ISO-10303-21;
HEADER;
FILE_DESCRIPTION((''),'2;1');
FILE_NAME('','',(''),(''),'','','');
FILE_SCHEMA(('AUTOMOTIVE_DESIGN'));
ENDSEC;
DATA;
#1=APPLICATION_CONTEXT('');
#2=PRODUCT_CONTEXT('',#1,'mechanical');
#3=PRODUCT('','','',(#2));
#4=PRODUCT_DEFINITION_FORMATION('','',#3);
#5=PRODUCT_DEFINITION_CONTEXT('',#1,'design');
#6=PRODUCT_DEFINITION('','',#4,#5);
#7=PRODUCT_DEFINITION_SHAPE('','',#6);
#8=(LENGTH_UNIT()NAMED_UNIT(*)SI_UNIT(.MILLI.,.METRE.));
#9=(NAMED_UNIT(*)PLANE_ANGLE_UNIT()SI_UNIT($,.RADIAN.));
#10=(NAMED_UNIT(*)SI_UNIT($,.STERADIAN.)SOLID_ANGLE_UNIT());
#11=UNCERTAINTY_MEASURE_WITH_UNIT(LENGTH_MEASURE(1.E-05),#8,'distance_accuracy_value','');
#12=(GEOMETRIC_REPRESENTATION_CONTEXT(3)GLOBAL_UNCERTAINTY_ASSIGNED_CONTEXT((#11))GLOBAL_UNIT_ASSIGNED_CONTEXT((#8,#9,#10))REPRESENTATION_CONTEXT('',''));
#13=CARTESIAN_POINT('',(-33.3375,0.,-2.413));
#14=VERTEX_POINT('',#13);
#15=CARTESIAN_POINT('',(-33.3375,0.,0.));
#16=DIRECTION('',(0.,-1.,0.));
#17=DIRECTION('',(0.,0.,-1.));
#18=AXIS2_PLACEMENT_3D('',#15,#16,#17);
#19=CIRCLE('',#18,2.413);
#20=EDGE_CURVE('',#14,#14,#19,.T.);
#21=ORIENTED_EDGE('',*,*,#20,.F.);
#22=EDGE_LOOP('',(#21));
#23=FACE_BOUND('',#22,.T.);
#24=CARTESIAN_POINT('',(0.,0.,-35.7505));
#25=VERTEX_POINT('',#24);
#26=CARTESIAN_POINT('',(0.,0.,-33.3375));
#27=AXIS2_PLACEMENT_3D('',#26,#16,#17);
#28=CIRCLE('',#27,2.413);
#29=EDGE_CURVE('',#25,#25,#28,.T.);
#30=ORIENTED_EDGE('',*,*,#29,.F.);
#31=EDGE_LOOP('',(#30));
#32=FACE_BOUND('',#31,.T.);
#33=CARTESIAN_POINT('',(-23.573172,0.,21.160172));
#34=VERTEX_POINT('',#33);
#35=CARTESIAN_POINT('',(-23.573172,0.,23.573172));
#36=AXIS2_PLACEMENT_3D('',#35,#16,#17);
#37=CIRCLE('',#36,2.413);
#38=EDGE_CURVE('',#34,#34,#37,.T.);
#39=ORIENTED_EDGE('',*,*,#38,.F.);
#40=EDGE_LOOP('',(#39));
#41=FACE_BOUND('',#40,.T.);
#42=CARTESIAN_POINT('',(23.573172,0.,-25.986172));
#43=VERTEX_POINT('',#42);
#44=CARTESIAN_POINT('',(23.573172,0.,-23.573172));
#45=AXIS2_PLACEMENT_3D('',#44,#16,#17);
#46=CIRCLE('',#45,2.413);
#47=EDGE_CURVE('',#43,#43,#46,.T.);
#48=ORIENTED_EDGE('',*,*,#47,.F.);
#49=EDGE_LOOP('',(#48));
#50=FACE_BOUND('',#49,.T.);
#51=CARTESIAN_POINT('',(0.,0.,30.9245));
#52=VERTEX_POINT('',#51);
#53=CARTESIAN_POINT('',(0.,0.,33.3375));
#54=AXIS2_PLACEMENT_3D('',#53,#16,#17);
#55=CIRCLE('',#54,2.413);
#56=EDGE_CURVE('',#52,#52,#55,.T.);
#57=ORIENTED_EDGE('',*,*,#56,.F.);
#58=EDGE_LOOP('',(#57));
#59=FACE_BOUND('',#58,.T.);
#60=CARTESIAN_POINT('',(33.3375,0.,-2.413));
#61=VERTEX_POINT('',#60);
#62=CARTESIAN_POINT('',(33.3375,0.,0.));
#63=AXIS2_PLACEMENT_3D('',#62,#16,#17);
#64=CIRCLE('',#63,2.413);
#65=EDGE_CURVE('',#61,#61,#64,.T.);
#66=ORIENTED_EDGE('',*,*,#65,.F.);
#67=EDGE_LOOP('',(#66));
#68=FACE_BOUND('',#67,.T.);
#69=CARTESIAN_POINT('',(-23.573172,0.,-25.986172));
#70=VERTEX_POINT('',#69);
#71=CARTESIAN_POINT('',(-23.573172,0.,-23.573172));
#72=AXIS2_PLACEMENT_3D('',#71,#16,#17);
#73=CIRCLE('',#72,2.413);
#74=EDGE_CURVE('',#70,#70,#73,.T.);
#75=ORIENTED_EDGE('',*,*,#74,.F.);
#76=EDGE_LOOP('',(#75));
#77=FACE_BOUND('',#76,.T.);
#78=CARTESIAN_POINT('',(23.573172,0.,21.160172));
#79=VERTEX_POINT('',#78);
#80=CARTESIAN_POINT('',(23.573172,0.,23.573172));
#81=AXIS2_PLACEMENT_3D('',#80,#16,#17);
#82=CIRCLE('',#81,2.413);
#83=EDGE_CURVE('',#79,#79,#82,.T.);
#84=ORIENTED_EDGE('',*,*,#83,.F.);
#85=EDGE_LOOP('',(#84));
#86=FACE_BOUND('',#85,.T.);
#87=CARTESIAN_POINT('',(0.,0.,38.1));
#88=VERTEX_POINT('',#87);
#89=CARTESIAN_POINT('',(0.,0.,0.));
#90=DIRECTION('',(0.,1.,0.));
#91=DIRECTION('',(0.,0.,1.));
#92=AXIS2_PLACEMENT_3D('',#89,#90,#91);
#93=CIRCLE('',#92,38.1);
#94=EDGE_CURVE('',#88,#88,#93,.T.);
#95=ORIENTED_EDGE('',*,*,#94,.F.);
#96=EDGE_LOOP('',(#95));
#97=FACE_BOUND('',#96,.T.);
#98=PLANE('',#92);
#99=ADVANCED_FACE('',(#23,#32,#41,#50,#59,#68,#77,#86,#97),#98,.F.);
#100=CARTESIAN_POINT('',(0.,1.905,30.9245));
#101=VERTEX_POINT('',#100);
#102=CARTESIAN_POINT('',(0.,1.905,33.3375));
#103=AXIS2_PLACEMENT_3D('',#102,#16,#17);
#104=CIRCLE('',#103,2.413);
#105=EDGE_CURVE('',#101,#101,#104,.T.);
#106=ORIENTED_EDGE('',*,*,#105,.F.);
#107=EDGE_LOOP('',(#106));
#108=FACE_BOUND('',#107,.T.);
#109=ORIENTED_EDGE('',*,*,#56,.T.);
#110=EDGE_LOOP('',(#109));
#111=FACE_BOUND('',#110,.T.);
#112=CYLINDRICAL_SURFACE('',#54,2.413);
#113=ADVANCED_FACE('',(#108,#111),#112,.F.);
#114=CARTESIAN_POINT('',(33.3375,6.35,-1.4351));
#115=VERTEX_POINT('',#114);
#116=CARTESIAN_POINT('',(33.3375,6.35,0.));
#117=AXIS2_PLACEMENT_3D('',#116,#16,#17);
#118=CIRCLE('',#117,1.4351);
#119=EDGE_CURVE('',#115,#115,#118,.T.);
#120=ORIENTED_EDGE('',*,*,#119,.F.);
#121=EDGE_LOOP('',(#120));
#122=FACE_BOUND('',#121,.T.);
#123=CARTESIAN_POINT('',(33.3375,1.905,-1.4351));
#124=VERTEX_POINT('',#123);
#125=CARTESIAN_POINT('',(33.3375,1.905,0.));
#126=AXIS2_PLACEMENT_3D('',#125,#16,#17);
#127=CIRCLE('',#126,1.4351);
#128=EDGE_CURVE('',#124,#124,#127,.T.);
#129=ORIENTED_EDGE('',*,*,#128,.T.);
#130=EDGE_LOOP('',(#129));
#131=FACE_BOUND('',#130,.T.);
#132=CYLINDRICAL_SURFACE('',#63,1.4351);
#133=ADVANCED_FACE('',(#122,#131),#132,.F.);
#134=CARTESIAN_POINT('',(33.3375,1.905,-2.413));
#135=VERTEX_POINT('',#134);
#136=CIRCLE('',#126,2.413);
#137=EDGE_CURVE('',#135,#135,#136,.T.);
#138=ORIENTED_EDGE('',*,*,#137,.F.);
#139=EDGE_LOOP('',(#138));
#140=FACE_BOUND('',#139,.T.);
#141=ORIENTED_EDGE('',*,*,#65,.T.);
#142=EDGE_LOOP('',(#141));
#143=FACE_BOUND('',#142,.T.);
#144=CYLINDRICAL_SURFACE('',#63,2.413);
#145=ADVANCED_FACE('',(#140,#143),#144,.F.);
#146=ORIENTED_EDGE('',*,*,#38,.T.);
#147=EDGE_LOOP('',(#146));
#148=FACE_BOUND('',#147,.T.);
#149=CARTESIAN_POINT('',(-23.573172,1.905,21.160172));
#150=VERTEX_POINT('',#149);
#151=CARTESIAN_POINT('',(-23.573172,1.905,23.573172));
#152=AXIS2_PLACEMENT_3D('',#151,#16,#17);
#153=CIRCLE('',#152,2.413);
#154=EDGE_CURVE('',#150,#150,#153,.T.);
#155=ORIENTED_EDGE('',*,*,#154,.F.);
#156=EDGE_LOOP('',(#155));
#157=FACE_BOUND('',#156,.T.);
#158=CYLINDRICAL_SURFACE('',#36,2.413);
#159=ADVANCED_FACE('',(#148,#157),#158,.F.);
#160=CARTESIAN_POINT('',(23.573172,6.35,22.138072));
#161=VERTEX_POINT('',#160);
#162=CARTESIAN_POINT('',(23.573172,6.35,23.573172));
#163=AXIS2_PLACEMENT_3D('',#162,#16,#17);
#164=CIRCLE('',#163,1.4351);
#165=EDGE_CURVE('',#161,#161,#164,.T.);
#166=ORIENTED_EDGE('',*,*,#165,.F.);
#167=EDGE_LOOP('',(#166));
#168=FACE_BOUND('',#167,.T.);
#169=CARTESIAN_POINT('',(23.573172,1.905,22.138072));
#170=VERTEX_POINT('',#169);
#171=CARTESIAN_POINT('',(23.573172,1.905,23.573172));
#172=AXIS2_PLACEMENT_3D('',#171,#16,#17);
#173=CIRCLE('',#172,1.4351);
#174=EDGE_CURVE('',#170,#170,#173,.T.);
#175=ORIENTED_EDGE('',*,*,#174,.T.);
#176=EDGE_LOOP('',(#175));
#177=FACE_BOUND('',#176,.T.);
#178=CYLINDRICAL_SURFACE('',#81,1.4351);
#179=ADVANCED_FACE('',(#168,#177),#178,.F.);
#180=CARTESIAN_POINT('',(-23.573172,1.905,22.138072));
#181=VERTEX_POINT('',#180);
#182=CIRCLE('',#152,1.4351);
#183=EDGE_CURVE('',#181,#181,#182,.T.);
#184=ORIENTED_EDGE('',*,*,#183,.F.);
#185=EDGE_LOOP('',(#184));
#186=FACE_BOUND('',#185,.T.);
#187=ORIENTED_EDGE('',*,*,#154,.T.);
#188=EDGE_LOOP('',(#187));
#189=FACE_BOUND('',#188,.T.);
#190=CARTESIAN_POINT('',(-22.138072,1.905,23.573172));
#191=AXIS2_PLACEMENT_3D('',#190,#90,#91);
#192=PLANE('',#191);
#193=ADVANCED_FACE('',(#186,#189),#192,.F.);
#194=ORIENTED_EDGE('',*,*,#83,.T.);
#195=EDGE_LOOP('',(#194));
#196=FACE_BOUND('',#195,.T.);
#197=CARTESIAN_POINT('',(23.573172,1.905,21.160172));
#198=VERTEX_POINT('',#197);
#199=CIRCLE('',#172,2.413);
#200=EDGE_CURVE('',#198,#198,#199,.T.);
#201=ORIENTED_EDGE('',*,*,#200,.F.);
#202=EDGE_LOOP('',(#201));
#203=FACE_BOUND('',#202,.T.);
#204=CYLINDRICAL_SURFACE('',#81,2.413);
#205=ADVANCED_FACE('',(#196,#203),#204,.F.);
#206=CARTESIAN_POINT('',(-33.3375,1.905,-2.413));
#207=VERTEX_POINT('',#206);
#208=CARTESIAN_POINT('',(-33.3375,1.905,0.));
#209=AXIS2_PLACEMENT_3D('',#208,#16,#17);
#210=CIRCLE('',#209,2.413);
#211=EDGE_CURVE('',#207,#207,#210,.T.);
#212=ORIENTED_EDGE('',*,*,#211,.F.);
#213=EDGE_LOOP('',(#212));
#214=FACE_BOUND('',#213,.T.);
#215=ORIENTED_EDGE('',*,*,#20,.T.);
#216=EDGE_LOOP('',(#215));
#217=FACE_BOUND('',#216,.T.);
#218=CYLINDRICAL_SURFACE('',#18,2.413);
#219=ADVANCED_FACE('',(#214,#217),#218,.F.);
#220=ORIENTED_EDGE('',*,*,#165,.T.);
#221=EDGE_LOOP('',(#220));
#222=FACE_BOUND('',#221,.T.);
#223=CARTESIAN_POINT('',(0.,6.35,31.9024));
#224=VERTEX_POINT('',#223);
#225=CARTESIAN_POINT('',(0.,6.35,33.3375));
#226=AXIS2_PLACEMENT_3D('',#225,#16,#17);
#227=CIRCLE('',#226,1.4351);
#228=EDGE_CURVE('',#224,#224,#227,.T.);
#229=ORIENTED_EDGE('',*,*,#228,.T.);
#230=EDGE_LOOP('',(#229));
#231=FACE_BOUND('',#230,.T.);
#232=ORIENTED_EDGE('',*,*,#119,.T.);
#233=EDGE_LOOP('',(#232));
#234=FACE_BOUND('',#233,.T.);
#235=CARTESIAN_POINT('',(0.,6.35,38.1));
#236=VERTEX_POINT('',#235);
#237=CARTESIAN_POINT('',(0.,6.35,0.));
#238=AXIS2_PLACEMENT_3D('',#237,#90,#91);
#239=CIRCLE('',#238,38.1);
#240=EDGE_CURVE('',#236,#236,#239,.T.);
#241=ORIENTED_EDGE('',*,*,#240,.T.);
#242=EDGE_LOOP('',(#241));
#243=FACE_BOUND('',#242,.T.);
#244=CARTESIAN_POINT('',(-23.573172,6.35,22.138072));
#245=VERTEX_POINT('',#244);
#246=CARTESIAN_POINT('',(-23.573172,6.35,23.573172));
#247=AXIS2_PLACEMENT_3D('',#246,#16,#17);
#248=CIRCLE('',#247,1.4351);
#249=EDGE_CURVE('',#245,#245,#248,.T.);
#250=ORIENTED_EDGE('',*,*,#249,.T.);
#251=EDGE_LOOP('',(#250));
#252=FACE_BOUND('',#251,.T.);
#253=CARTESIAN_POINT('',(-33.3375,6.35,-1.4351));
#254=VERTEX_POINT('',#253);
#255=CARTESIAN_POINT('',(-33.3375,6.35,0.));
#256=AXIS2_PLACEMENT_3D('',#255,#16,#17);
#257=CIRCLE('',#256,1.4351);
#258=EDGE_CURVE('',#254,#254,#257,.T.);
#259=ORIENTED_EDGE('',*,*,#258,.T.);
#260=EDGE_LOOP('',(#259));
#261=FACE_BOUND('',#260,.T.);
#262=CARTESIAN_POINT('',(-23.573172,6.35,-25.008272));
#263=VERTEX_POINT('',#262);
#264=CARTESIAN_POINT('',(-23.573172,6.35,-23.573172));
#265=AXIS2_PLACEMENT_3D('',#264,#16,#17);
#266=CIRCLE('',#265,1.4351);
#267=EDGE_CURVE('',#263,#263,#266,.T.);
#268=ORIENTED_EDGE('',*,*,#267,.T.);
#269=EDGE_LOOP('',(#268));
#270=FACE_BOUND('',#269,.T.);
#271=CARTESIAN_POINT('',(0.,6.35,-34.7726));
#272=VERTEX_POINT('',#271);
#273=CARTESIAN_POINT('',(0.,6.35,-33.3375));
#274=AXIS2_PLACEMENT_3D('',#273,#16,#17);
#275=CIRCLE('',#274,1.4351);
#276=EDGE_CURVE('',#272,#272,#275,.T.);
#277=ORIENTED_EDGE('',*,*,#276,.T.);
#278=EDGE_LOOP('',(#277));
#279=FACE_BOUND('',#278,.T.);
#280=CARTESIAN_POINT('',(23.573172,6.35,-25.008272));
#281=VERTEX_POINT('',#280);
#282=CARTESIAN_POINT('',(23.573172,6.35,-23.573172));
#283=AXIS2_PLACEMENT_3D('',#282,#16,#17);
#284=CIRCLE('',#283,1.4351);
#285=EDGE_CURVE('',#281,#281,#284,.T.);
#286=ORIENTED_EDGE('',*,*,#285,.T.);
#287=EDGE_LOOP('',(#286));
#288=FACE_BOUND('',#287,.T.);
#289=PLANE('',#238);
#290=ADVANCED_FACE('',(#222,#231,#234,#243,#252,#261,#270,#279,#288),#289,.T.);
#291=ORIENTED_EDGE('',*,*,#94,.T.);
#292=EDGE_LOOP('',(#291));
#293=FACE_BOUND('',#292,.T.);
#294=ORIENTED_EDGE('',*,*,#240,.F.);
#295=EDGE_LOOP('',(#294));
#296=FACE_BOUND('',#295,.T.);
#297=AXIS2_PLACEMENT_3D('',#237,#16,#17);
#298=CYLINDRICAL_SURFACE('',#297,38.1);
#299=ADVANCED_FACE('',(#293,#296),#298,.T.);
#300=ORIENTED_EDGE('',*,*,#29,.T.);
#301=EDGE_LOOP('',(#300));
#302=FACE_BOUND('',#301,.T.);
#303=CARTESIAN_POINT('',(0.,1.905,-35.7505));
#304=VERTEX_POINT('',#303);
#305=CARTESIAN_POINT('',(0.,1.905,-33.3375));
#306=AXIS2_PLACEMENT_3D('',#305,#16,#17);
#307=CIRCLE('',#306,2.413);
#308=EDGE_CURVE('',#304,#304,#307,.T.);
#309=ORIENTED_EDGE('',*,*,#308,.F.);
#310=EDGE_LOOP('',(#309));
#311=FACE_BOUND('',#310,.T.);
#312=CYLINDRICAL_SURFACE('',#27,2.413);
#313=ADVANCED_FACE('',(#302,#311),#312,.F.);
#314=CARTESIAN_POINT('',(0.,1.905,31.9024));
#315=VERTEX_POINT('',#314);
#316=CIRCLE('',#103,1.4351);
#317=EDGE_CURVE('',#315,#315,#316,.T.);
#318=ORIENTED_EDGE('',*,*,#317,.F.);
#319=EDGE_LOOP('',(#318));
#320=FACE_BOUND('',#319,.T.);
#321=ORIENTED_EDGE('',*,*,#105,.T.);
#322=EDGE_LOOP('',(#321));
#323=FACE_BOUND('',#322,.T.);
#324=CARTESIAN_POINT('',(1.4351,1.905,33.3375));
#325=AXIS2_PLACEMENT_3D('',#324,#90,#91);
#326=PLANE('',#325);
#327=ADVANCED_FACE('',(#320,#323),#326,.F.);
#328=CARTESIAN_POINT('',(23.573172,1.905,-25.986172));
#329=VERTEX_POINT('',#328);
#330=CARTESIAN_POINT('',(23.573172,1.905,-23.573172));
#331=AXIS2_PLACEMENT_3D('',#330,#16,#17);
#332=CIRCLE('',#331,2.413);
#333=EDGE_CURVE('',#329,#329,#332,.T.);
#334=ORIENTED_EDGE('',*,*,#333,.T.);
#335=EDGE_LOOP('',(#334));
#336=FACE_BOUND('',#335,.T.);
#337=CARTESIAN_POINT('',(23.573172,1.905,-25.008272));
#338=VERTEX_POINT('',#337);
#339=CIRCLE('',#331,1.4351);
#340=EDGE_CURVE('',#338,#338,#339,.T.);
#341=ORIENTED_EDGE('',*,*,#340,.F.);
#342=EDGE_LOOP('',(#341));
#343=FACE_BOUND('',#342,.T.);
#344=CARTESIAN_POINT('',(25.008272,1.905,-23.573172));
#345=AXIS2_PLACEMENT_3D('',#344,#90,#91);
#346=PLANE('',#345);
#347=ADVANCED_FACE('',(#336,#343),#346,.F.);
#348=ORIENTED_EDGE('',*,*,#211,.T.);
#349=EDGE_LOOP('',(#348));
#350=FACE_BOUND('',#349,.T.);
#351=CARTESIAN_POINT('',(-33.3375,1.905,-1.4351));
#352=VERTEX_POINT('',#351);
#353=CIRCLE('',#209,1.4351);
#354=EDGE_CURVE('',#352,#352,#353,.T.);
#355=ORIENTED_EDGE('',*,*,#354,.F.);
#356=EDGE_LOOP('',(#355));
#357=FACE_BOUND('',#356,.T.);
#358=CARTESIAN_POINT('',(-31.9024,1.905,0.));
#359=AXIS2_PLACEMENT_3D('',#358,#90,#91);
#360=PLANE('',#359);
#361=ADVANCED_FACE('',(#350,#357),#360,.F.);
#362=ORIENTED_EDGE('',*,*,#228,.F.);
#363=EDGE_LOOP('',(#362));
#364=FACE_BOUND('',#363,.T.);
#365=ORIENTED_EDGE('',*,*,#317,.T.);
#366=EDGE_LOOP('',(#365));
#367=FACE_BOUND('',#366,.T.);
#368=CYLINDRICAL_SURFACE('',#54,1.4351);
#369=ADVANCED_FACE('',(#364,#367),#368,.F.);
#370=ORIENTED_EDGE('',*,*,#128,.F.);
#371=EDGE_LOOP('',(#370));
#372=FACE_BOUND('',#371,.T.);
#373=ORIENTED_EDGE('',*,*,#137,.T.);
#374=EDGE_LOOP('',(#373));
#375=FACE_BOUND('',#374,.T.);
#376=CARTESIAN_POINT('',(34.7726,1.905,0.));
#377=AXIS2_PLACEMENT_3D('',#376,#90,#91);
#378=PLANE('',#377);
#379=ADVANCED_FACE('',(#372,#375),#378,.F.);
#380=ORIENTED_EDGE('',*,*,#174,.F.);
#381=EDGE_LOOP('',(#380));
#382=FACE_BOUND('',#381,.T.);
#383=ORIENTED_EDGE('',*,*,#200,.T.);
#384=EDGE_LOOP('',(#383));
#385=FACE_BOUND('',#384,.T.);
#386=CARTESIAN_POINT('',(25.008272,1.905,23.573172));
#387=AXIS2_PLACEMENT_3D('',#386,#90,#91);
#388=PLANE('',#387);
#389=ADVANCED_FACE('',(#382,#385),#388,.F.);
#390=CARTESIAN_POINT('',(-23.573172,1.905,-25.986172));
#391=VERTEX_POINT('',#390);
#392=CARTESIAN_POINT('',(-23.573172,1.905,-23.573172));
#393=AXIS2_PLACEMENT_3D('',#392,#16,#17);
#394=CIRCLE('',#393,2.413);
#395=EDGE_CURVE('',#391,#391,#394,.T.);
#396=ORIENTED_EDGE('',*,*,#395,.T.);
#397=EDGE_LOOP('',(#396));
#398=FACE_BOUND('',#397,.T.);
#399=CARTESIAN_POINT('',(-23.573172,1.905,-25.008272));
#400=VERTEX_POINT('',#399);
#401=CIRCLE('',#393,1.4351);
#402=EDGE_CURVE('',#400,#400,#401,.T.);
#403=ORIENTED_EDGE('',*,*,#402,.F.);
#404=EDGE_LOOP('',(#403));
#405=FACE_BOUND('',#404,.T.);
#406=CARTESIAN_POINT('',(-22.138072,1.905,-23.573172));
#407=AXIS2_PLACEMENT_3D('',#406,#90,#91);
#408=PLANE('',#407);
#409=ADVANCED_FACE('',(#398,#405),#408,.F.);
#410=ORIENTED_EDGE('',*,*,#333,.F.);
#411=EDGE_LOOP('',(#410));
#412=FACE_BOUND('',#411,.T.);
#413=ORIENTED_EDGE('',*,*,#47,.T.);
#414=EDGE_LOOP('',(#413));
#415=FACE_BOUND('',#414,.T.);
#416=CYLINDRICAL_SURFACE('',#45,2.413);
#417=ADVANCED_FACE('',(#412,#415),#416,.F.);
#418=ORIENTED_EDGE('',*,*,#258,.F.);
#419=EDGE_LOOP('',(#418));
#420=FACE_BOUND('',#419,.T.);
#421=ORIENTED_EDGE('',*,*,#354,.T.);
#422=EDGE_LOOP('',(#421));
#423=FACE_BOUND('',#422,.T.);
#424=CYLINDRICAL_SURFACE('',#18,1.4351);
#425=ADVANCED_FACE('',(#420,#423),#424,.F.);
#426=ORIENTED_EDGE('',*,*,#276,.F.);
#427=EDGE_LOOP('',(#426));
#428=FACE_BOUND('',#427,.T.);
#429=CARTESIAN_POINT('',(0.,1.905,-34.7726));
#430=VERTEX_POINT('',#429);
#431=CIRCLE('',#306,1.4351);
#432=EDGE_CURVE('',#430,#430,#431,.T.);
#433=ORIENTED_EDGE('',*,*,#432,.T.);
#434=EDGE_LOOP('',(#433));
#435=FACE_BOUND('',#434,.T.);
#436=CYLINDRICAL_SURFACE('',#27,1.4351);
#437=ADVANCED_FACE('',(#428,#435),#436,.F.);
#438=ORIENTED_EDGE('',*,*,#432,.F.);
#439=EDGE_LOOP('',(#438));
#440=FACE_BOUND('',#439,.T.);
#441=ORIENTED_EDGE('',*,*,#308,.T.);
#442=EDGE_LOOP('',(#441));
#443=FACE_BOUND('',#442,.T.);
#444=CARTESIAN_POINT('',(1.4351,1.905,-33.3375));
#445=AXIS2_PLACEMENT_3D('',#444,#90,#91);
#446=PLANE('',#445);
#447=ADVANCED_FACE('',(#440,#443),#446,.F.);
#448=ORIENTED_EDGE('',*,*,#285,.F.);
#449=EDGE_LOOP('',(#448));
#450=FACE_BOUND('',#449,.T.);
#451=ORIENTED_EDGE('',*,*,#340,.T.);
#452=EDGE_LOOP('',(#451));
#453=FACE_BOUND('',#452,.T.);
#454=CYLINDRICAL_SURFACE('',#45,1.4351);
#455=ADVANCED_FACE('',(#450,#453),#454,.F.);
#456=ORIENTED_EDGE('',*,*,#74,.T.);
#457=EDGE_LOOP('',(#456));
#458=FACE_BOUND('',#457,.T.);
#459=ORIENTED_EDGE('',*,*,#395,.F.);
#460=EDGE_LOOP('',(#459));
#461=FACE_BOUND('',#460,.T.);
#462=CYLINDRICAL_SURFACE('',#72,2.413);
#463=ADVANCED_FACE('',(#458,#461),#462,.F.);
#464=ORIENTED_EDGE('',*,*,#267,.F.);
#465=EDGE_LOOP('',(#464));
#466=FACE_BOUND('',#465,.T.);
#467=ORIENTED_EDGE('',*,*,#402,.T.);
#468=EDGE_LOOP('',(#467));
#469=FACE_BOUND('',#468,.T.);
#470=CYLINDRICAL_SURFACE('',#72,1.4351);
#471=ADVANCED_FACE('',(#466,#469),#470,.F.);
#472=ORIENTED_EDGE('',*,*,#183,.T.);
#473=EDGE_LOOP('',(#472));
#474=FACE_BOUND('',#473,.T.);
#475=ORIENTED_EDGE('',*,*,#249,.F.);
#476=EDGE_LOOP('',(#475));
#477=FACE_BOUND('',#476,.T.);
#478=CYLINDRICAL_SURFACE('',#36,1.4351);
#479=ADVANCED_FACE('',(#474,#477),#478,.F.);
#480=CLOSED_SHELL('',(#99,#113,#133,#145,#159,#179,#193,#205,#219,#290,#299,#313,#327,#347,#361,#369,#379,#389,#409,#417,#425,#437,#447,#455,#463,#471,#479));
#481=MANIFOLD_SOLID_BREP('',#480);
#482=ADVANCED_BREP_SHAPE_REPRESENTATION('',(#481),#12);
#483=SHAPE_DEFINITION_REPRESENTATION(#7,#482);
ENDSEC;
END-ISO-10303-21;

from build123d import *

# Parameters (mm, degrees)
SKETCH1_R                                      = 38.1
BOSS_EXTRUDE1_DEPTH                            = 6.35
CBORE_FOR_4_BUTTON_HEAD_CAP_SCREW1_D           = 2.8702
CBORE_FOR_4_BUTTON_HEAD_CAP_SCREW1_CBORE_D     = 4.826
CBORE_FOR_4_BUTTON_HEAD_CAP_SCREW1_CBORE_DEPTH = 1.905
CIRPATTERN1_COUNT                              = 8


with BuildPart() as part:
    # Sketch1 → Boss-Extrude1 (new body)
    with BuildSketch(Plane(origin=(0, 0, 0), x_dir=(1, 0, 0), z_dir=(0, 1, 0))):
        Circle(SKETCH1_R)
    extrude(amount=BOSS_EXTRUDE1_DEPTH)

    # CBORE for #4 Button Head Cap Screw1 (through all)
    with Locations(Plane(origin=(0, 0, 0), x_dir=(-1, 0, 0), z_dir=(0, -1, 0))):
        with Locations((0, -33.3375)):
            cbore_for_4_button_head_cap_screw1 = CounterBoreHole(CBORE_FOR_4_BUTTON_HEAD_CAP_SCREW1_D / 2, CBORE_FOR_4_BUTTON_HEAD_CAP_SCREW1_CBORE_D / 2, CBORE_FOR_4_BUTTON_HEAD_CAP_SCREW1_CBORE_DEPTH)

    # CirPattern1: CBORE for #4 Button Head Cap Screw1 ×8 about axis
    cirpattern1_axis = Axis((0, 0, 0), (0, 1, 0))
    for i in range(1, CIRPATTERN1_COUNT):
        add(cbore_for_4_button_head_cap_screw1.rotate(cirpattern1_axis, i * 360 / CIRPATTERN1_COUNT), mode=Mode.SUBTRACT)


solid = part.part
